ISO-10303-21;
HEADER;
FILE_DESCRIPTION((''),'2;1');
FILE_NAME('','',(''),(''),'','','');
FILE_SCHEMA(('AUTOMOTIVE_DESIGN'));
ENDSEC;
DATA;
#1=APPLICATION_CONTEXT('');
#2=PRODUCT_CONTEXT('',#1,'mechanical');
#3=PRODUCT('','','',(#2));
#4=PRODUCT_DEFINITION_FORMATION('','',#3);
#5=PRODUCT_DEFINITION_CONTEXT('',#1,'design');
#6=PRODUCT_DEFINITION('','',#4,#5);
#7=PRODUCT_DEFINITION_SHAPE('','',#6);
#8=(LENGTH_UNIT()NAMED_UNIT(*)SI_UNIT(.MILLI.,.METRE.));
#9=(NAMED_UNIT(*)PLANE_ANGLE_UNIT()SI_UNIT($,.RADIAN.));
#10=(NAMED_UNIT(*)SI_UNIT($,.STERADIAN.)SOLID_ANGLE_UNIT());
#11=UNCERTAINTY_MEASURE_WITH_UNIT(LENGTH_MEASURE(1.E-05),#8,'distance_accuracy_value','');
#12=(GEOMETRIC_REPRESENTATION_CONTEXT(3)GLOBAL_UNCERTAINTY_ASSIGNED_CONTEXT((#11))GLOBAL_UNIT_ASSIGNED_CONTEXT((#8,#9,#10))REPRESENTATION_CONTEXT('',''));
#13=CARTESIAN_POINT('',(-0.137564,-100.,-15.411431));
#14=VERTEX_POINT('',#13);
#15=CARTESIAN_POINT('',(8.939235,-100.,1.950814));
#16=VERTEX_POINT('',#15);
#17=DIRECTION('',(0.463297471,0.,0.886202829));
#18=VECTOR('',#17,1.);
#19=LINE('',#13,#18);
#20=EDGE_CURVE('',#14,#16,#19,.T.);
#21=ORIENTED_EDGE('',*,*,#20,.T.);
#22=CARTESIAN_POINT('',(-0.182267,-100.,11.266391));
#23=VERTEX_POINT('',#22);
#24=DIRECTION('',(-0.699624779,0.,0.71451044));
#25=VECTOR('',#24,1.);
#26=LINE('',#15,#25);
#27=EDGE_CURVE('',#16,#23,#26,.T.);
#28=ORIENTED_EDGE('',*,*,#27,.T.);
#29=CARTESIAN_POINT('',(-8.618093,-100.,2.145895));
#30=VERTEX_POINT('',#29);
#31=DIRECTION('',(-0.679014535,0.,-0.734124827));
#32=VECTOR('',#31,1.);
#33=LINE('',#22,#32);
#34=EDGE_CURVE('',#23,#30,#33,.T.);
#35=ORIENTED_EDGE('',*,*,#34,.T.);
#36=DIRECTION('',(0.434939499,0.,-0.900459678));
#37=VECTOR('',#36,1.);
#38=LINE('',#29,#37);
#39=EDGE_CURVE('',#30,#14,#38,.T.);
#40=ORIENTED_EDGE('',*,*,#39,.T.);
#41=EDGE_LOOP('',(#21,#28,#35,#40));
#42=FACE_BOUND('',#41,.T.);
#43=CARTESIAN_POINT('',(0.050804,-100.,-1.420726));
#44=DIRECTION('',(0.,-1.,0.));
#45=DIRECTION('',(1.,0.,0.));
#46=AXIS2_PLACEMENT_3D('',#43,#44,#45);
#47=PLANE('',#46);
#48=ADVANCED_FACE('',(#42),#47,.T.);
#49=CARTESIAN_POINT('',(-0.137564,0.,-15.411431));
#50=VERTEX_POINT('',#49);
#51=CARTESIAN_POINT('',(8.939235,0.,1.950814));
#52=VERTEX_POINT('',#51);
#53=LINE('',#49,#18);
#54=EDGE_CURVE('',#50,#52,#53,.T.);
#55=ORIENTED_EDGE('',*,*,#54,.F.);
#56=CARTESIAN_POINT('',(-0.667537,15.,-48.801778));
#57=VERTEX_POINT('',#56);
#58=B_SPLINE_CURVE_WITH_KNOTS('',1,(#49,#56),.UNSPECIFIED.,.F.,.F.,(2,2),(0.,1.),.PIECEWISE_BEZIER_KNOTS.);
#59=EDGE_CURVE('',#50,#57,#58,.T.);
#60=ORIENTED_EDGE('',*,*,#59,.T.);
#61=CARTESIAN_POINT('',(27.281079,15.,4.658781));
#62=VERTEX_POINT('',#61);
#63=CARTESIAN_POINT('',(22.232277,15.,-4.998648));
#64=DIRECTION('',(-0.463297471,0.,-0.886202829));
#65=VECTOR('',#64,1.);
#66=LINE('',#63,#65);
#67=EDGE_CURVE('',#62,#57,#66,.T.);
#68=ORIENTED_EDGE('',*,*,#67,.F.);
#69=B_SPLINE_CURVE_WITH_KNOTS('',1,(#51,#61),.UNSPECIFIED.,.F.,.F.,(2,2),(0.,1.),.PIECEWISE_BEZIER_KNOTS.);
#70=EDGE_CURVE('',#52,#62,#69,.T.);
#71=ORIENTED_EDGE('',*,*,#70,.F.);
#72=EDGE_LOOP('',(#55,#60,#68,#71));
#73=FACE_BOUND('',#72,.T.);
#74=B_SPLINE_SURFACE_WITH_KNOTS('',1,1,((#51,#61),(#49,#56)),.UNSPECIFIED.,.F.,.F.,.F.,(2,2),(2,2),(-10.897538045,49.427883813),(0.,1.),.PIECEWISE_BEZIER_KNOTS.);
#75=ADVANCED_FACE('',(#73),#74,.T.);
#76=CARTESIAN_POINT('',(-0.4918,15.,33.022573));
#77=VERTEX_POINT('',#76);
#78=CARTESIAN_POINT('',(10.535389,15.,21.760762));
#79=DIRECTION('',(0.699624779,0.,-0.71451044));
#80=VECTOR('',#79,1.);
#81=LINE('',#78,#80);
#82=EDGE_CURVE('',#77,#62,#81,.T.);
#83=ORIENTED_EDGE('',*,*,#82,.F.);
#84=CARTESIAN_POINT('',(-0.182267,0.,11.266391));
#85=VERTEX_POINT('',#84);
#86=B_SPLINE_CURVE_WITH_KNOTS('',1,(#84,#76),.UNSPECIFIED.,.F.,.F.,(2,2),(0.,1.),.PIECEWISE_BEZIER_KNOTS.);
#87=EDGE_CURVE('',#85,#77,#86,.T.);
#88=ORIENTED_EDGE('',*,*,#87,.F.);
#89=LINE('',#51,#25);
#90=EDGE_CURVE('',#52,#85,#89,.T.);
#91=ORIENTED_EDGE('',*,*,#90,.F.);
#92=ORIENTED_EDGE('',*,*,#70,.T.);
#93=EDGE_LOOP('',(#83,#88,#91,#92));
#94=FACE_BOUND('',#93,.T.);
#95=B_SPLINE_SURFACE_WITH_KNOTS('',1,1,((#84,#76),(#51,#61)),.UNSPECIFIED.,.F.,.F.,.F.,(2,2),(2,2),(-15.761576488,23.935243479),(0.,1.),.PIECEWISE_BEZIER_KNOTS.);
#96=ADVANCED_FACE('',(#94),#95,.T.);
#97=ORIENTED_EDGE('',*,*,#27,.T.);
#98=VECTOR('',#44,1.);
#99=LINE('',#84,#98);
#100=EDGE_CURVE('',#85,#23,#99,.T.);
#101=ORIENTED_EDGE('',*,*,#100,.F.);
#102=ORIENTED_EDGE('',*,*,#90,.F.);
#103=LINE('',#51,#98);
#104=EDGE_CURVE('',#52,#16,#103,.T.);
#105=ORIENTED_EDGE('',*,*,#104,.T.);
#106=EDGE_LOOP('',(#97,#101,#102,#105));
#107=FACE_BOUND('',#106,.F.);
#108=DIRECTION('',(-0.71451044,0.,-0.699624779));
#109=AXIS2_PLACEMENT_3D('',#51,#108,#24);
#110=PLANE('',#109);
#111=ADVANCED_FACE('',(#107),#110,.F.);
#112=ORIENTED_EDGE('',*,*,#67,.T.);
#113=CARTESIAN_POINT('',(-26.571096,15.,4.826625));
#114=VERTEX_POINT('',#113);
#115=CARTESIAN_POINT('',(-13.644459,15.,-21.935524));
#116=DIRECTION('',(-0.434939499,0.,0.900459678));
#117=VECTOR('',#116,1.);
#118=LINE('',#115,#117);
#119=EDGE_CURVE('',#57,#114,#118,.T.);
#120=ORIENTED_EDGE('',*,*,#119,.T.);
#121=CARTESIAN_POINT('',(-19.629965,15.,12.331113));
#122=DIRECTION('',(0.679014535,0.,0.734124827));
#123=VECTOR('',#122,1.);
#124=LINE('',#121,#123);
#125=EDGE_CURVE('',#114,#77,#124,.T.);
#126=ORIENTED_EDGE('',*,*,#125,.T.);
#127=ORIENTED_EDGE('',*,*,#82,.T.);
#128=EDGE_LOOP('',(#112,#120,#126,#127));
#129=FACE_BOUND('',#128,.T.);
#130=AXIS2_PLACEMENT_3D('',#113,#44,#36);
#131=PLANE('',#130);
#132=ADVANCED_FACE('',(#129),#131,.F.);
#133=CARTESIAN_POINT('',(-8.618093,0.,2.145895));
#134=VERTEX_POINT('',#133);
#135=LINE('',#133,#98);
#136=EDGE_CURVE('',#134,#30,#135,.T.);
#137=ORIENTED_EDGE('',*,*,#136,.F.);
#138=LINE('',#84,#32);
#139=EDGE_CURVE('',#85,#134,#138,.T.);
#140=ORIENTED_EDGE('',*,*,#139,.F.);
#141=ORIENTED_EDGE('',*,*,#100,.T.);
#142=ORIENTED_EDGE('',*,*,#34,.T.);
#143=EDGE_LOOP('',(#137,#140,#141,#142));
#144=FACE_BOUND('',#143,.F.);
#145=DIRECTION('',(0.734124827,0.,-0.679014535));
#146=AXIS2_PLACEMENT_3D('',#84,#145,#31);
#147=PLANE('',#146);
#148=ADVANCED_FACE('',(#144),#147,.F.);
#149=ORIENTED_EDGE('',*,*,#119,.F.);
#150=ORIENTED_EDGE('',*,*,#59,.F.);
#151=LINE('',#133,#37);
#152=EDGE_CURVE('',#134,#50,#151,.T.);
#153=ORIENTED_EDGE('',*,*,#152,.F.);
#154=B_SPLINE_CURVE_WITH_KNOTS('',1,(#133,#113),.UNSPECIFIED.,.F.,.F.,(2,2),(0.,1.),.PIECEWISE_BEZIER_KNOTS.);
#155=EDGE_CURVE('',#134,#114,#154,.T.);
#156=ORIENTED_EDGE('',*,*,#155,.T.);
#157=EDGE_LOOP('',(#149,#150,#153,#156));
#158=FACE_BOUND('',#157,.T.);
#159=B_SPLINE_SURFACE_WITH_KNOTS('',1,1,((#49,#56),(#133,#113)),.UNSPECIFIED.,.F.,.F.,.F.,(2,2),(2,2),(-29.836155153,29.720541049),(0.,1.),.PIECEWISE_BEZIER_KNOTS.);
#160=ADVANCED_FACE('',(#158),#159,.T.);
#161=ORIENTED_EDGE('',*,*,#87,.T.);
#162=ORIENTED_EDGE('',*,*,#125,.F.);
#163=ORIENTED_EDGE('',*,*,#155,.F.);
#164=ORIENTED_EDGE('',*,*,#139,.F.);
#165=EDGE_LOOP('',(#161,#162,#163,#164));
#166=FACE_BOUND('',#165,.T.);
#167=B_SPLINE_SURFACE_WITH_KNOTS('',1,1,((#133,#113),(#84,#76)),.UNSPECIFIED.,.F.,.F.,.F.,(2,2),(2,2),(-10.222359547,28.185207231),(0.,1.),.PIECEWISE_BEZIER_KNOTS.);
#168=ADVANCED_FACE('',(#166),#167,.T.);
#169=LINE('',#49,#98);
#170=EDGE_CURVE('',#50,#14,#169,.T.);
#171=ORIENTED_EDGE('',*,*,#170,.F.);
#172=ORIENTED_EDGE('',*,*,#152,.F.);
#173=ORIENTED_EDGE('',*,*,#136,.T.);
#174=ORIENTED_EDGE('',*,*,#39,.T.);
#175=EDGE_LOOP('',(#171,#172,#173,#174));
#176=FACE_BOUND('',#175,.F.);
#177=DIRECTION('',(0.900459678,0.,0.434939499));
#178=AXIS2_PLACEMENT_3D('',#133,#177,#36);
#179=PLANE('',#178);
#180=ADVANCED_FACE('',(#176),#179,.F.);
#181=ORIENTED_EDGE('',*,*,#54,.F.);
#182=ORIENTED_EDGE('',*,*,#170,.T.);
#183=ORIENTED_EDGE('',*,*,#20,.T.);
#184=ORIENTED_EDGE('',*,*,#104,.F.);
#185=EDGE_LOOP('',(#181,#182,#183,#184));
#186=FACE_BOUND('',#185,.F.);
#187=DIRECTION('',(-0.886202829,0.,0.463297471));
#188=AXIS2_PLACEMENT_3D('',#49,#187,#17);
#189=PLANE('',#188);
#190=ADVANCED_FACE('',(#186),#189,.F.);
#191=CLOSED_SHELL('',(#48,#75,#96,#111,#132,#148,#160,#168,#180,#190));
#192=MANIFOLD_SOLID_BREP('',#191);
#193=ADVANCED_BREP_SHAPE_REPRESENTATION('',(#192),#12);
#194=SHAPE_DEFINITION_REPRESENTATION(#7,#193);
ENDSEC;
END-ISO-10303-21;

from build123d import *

# Parameters (mm, degrees)
F1_DEPTH = 100
F2_DEPTH = 15
F2_TAPER = -45


with BuildPart() as f1:
    # F0 (on Front) → F1 (new body)
    with BuildSketch(Plane.XZ):
        Polygon((-0.1822671791, 11.2663906845), (-8.618093033, 2.1458949195), (-0.1375637321, -15.4114313191), (8.9392346026, 1.9508140394), align=None)
    extrude(amount=F1_DEPTH)

    # F1_face (on face) → F2 (join)
    with BuildSketch(Plane(origin=(0.0560458234, 0, -0.7001079654), x_dir=(1, 0, 0), z_dir=(0, 1, 0))):
        Polygon((-8.6741388563, -2.8460028849), (-0.2383130025, -11.9664986499), (8.8831887792, -2.6509220048), (-0.1936095555, 14.7113233537), align=None)
    extrude(amount=F2_DEPTH, taper=F2_TAPER)


solid = f1.part
